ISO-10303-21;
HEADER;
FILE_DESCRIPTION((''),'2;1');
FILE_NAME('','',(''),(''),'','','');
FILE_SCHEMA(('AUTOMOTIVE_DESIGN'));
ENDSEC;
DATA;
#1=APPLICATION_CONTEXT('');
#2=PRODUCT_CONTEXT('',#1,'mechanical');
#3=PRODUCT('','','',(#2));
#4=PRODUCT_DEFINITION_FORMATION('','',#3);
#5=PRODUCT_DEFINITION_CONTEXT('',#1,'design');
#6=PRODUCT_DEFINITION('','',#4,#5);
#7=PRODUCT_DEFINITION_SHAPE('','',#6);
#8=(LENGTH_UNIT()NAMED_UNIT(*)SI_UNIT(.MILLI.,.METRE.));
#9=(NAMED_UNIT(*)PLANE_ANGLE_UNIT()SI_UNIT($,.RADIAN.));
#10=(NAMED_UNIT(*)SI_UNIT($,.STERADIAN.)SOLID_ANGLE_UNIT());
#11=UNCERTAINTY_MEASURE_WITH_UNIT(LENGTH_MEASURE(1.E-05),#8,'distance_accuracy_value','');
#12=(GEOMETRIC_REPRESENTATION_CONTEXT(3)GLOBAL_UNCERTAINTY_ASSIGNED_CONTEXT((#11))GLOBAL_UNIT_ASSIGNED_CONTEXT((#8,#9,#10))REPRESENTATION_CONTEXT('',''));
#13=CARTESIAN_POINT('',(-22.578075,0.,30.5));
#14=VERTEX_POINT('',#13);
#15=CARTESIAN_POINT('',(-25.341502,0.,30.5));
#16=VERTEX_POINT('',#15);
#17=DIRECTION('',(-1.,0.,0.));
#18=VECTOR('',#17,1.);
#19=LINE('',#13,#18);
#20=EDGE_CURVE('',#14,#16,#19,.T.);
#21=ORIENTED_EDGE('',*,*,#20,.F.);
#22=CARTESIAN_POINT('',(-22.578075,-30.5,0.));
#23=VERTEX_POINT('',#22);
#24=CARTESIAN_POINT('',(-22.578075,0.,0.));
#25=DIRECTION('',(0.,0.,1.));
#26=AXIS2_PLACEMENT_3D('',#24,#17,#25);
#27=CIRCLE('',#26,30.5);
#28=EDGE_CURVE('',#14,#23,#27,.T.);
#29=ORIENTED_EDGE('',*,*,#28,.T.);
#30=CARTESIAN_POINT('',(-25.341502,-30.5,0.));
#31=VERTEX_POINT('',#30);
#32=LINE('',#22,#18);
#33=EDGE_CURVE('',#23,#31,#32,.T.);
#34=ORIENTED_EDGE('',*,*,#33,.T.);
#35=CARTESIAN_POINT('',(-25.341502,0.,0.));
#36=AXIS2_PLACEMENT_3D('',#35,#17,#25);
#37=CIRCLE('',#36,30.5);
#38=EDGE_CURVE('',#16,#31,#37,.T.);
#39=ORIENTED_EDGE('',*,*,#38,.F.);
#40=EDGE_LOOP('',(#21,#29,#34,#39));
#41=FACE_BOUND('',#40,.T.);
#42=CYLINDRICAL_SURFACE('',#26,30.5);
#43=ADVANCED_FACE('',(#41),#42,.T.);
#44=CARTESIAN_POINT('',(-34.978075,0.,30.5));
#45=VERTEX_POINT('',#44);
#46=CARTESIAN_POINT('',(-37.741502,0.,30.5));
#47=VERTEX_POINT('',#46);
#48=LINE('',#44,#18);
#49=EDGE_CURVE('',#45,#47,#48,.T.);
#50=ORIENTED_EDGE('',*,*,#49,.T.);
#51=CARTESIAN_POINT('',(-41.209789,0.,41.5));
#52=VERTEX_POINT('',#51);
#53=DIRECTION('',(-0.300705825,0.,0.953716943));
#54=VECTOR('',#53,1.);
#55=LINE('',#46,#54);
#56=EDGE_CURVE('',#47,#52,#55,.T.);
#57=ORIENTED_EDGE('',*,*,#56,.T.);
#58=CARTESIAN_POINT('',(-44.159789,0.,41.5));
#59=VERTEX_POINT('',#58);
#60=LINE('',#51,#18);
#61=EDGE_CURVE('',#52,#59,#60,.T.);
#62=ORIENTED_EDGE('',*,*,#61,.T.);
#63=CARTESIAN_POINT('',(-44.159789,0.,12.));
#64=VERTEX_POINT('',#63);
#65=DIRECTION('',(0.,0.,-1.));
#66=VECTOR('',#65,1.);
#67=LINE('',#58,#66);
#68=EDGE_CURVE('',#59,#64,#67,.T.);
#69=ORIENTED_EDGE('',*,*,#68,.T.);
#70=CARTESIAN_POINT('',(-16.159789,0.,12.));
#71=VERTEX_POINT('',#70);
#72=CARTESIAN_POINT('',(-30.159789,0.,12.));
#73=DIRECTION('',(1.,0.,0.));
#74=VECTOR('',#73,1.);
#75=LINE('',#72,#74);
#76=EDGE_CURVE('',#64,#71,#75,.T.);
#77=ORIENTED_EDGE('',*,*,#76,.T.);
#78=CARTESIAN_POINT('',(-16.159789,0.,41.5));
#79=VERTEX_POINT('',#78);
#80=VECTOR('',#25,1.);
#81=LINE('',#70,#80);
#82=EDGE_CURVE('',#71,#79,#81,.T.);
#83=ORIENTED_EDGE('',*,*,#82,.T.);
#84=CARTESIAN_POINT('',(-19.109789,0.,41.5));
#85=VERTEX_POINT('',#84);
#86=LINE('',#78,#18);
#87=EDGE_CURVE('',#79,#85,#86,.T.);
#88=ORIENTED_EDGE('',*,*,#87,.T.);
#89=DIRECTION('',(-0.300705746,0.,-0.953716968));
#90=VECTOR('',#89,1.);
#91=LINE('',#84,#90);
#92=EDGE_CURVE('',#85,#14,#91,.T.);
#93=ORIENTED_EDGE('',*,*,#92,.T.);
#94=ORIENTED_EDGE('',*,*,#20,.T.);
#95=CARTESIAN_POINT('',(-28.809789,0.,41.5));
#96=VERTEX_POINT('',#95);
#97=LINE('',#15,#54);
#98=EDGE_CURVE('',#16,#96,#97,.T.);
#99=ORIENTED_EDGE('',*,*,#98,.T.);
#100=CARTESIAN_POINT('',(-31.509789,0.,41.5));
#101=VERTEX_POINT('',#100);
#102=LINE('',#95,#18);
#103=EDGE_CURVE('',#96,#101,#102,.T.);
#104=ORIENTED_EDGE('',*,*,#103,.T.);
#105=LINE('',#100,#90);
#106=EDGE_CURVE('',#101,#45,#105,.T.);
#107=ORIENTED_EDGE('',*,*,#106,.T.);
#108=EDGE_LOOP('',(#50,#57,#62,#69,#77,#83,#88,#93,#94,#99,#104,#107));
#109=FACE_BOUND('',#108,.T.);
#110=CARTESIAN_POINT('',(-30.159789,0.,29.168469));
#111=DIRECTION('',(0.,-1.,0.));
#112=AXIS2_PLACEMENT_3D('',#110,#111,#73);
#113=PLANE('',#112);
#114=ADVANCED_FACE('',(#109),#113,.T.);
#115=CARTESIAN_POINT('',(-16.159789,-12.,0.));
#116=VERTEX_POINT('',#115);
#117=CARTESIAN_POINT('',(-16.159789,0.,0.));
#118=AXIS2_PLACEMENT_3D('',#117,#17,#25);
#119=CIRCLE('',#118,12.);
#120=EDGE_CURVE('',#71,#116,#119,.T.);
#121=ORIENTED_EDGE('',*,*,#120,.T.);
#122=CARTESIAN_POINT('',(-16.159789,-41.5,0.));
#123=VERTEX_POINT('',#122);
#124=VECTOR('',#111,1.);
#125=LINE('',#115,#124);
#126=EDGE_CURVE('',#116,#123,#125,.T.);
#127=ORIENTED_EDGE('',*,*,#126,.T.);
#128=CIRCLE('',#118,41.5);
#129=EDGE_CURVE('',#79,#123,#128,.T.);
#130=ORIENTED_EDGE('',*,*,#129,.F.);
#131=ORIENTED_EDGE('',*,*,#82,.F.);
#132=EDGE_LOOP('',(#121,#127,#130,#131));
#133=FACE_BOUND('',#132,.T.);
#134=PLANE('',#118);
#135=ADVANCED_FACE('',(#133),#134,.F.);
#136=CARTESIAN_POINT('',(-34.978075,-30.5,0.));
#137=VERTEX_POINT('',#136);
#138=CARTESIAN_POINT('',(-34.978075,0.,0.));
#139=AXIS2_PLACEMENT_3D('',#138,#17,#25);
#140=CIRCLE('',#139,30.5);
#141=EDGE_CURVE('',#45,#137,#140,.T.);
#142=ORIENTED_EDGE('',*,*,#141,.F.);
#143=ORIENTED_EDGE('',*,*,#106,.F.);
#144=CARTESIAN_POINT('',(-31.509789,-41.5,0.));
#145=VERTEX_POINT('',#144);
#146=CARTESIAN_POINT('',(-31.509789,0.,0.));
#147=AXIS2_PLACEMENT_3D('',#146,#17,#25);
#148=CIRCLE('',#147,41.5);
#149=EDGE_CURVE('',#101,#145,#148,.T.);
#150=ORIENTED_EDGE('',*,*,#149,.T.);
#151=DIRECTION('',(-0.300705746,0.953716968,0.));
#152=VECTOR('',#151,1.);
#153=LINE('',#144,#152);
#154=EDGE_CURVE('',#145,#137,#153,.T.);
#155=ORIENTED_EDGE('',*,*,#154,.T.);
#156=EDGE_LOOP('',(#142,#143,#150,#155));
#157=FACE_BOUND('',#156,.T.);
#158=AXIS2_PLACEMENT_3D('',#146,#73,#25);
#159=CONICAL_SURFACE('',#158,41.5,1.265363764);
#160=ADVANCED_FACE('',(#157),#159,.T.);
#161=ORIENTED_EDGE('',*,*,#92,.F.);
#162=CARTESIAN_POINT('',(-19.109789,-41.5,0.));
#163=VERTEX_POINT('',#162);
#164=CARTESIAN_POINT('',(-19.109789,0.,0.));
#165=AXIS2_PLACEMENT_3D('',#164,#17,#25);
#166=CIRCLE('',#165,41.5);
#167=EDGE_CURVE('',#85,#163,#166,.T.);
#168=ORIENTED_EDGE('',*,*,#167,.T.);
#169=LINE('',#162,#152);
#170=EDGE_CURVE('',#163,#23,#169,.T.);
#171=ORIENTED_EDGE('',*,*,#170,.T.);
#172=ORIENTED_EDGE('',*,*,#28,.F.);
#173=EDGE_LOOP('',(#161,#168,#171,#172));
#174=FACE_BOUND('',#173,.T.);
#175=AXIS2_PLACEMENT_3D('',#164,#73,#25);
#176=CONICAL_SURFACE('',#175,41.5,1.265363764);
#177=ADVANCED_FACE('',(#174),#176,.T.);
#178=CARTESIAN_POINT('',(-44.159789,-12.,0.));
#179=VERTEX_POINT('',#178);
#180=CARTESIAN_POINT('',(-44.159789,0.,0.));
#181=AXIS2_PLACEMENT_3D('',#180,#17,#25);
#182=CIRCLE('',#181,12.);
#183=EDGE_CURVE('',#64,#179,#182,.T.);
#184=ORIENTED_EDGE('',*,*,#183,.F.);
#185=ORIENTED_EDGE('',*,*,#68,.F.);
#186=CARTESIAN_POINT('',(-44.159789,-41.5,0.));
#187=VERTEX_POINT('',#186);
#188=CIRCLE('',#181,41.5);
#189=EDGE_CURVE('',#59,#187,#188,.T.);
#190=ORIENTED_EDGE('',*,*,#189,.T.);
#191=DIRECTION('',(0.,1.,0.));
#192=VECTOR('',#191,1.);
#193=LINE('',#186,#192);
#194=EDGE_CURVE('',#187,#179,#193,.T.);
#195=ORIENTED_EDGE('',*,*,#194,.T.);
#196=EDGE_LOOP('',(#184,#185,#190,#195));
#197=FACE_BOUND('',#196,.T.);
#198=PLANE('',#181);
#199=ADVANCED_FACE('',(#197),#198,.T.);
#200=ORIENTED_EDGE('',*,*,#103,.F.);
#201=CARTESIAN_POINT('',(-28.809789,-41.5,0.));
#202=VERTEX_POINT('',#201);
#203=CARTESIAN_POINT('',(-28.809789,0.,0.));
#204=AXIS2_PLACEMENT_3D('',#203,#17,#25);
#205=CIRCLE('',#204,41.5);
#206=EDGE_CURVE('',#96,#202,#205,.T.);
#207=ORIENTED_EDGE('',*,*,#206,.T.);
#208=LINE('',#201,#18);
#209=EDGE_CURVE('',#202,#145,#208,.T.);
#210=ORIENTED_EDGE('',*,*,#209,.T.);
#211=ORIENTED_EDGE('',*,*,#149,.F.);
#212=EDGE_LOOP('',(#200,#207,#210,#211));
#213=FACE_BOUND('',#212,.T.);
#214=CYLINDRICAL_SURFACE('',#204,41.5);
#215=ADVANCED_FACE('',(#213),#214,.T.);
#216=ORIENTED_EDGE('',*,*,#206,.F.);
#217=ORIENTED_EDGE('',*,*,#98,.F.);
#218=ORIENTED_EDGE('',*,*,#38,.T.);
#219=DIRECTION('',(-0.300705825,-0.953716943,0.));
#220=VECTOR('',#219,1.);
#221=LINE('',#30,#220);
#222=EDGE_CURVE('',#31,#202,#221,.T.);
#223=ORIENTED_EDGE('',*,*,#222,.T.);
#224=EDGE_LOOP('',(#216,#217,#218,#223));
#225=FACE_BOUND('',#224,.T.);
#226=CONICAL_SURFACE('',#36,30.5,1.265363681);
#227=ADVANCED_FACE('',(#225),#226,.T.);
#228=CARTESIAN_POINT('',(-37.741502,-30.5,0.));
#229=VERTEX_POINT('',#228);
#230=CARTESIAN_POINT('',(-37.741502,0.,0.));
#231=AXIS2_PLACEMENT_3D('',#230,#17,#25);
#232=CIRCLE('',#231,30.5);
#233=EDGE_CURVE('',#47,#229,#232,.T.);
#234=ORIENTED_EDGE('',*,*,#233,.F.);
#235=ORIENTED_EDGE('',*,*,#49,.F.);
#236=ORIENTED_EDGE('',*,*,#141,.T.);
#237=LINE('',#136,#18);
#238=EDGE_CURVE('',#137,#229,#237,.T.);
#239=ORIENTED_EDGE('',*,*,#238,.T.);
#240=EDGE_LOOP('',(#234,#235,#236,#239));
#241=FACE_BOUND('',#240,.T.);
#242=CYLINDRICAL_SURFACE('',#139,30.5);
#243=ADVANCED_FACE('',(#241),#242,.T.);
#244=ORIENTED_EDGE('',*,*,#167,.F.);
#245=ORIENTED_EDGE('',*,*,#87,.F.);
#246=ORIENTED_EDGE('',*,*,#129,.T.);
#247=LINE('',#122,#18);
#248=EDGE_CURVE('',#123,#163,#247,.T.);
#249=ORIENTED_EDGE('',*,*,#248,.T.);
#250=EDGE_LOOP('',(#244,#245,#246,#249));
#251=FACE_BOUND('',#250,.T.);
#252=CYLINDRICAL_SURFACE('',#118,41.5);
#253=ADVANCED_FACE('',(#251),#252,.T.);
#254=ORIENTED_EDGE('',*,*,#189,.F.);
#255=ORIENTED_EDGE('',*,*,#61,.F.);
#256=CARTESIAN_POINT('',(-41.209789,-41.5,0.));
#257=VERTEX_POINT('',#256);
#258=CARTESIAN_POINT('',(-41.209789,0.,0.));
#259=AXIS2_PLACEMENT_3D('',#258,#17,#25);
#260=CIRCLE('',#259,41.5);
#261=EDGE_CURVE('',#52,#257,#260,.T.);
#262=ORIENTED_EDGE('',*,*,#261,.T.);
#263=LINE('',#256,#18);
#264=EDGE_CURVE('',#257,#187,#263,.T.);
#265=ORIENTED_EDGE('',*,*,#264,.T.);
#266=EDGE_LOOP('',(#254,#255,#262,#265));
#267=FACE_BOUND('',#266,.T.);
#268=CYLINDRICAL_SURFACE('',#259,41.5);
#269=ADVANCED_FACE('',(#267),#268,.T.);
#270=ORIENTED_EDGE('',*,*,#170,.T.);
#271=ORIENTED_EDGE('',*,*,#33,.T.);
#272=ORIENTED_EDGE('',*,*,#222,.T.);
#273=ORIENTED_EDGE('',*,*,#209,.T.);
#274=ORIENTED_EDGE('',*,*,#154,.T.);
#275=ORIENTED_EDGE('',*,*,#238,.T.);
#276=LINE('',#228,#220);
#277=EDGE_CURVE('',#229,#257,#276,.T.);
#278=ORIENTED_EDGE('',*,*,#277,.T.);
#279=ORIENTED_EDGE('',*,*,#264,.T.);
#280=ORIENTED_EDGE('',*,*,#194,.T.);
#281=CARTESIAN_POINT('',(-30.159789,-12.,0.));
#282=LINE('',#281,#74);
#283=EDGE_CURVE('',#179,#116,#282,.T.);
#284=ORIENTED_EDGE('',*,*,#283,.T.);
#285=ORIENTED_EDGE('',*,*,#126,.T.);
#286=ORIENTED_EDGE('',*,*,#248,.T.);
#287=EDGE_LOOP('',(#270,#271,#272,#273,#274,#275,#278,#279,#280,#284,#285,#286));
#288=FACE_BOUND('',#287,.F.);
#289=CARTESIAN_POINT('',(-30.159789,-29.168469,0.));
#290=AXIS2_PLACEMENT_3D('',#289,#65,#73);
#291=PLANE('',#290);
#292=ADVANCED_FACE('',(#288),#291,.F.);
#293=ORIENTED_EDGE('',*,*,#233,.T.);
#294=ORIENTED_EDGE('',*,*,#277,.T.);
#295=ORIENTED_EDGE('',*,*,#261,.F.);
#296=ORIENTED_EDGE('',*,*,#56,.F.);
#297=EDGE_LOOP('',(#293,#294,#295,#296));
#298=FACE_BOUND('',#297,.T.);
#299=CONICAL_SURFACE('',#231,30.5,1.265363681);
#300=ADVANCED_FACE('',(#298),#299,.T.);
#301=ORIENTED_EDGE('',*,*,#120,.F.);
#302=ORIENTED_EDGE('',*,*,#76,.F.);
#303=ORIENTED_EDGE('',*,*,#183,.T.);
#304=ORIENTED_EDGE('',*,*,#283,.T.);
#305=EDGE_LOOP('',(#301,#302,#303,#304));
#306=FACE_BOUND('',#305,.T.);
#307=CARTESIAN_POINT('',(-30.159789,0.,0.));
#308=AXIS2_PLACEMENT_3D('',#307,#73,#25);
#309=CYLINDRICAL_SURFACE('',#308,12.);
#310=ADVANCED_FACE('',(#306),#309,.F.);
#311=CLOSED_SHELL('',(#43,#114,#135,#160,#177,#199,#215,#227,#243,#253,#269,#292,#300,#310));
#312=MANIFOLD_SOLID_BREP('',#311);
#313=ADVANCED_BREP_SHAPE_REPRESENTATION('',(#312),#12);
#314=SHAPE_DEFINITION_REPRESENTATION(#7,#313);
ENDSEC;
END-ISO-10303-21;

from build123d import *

# Parameters (mm, degrees)
F0_W     = 28
F0_H     = 3.3
F1_ANGLE = 270


with BuildPart() as f1:
    # F0 (on Front) → F1 (revolve)
    with BuildSketch(Plane.XZ):
        Polygon((-44.159789, 41.5), (-44.159789, 15.3), (-16.159789, 15.3), (-16.159789, 41.5), (-19.109789, 41.5), (-22.578075, 30.5), (-25.341502, 30.5), (-28.809789, 41.5), (-31.509789, 41.5), (-34.978075, 30.5), (-37.741502, 30.5), (-41.209789, 41.5), align=None)
        with Locations((-30.159789, 13.65)):
            Rectangle(F0_W, F0_H)
    revolve(axis=Axis((-30.159789, 0, 0), (-1, 0, 0)), revolution_arc=F1_ANGLE)


solid = f1.part
